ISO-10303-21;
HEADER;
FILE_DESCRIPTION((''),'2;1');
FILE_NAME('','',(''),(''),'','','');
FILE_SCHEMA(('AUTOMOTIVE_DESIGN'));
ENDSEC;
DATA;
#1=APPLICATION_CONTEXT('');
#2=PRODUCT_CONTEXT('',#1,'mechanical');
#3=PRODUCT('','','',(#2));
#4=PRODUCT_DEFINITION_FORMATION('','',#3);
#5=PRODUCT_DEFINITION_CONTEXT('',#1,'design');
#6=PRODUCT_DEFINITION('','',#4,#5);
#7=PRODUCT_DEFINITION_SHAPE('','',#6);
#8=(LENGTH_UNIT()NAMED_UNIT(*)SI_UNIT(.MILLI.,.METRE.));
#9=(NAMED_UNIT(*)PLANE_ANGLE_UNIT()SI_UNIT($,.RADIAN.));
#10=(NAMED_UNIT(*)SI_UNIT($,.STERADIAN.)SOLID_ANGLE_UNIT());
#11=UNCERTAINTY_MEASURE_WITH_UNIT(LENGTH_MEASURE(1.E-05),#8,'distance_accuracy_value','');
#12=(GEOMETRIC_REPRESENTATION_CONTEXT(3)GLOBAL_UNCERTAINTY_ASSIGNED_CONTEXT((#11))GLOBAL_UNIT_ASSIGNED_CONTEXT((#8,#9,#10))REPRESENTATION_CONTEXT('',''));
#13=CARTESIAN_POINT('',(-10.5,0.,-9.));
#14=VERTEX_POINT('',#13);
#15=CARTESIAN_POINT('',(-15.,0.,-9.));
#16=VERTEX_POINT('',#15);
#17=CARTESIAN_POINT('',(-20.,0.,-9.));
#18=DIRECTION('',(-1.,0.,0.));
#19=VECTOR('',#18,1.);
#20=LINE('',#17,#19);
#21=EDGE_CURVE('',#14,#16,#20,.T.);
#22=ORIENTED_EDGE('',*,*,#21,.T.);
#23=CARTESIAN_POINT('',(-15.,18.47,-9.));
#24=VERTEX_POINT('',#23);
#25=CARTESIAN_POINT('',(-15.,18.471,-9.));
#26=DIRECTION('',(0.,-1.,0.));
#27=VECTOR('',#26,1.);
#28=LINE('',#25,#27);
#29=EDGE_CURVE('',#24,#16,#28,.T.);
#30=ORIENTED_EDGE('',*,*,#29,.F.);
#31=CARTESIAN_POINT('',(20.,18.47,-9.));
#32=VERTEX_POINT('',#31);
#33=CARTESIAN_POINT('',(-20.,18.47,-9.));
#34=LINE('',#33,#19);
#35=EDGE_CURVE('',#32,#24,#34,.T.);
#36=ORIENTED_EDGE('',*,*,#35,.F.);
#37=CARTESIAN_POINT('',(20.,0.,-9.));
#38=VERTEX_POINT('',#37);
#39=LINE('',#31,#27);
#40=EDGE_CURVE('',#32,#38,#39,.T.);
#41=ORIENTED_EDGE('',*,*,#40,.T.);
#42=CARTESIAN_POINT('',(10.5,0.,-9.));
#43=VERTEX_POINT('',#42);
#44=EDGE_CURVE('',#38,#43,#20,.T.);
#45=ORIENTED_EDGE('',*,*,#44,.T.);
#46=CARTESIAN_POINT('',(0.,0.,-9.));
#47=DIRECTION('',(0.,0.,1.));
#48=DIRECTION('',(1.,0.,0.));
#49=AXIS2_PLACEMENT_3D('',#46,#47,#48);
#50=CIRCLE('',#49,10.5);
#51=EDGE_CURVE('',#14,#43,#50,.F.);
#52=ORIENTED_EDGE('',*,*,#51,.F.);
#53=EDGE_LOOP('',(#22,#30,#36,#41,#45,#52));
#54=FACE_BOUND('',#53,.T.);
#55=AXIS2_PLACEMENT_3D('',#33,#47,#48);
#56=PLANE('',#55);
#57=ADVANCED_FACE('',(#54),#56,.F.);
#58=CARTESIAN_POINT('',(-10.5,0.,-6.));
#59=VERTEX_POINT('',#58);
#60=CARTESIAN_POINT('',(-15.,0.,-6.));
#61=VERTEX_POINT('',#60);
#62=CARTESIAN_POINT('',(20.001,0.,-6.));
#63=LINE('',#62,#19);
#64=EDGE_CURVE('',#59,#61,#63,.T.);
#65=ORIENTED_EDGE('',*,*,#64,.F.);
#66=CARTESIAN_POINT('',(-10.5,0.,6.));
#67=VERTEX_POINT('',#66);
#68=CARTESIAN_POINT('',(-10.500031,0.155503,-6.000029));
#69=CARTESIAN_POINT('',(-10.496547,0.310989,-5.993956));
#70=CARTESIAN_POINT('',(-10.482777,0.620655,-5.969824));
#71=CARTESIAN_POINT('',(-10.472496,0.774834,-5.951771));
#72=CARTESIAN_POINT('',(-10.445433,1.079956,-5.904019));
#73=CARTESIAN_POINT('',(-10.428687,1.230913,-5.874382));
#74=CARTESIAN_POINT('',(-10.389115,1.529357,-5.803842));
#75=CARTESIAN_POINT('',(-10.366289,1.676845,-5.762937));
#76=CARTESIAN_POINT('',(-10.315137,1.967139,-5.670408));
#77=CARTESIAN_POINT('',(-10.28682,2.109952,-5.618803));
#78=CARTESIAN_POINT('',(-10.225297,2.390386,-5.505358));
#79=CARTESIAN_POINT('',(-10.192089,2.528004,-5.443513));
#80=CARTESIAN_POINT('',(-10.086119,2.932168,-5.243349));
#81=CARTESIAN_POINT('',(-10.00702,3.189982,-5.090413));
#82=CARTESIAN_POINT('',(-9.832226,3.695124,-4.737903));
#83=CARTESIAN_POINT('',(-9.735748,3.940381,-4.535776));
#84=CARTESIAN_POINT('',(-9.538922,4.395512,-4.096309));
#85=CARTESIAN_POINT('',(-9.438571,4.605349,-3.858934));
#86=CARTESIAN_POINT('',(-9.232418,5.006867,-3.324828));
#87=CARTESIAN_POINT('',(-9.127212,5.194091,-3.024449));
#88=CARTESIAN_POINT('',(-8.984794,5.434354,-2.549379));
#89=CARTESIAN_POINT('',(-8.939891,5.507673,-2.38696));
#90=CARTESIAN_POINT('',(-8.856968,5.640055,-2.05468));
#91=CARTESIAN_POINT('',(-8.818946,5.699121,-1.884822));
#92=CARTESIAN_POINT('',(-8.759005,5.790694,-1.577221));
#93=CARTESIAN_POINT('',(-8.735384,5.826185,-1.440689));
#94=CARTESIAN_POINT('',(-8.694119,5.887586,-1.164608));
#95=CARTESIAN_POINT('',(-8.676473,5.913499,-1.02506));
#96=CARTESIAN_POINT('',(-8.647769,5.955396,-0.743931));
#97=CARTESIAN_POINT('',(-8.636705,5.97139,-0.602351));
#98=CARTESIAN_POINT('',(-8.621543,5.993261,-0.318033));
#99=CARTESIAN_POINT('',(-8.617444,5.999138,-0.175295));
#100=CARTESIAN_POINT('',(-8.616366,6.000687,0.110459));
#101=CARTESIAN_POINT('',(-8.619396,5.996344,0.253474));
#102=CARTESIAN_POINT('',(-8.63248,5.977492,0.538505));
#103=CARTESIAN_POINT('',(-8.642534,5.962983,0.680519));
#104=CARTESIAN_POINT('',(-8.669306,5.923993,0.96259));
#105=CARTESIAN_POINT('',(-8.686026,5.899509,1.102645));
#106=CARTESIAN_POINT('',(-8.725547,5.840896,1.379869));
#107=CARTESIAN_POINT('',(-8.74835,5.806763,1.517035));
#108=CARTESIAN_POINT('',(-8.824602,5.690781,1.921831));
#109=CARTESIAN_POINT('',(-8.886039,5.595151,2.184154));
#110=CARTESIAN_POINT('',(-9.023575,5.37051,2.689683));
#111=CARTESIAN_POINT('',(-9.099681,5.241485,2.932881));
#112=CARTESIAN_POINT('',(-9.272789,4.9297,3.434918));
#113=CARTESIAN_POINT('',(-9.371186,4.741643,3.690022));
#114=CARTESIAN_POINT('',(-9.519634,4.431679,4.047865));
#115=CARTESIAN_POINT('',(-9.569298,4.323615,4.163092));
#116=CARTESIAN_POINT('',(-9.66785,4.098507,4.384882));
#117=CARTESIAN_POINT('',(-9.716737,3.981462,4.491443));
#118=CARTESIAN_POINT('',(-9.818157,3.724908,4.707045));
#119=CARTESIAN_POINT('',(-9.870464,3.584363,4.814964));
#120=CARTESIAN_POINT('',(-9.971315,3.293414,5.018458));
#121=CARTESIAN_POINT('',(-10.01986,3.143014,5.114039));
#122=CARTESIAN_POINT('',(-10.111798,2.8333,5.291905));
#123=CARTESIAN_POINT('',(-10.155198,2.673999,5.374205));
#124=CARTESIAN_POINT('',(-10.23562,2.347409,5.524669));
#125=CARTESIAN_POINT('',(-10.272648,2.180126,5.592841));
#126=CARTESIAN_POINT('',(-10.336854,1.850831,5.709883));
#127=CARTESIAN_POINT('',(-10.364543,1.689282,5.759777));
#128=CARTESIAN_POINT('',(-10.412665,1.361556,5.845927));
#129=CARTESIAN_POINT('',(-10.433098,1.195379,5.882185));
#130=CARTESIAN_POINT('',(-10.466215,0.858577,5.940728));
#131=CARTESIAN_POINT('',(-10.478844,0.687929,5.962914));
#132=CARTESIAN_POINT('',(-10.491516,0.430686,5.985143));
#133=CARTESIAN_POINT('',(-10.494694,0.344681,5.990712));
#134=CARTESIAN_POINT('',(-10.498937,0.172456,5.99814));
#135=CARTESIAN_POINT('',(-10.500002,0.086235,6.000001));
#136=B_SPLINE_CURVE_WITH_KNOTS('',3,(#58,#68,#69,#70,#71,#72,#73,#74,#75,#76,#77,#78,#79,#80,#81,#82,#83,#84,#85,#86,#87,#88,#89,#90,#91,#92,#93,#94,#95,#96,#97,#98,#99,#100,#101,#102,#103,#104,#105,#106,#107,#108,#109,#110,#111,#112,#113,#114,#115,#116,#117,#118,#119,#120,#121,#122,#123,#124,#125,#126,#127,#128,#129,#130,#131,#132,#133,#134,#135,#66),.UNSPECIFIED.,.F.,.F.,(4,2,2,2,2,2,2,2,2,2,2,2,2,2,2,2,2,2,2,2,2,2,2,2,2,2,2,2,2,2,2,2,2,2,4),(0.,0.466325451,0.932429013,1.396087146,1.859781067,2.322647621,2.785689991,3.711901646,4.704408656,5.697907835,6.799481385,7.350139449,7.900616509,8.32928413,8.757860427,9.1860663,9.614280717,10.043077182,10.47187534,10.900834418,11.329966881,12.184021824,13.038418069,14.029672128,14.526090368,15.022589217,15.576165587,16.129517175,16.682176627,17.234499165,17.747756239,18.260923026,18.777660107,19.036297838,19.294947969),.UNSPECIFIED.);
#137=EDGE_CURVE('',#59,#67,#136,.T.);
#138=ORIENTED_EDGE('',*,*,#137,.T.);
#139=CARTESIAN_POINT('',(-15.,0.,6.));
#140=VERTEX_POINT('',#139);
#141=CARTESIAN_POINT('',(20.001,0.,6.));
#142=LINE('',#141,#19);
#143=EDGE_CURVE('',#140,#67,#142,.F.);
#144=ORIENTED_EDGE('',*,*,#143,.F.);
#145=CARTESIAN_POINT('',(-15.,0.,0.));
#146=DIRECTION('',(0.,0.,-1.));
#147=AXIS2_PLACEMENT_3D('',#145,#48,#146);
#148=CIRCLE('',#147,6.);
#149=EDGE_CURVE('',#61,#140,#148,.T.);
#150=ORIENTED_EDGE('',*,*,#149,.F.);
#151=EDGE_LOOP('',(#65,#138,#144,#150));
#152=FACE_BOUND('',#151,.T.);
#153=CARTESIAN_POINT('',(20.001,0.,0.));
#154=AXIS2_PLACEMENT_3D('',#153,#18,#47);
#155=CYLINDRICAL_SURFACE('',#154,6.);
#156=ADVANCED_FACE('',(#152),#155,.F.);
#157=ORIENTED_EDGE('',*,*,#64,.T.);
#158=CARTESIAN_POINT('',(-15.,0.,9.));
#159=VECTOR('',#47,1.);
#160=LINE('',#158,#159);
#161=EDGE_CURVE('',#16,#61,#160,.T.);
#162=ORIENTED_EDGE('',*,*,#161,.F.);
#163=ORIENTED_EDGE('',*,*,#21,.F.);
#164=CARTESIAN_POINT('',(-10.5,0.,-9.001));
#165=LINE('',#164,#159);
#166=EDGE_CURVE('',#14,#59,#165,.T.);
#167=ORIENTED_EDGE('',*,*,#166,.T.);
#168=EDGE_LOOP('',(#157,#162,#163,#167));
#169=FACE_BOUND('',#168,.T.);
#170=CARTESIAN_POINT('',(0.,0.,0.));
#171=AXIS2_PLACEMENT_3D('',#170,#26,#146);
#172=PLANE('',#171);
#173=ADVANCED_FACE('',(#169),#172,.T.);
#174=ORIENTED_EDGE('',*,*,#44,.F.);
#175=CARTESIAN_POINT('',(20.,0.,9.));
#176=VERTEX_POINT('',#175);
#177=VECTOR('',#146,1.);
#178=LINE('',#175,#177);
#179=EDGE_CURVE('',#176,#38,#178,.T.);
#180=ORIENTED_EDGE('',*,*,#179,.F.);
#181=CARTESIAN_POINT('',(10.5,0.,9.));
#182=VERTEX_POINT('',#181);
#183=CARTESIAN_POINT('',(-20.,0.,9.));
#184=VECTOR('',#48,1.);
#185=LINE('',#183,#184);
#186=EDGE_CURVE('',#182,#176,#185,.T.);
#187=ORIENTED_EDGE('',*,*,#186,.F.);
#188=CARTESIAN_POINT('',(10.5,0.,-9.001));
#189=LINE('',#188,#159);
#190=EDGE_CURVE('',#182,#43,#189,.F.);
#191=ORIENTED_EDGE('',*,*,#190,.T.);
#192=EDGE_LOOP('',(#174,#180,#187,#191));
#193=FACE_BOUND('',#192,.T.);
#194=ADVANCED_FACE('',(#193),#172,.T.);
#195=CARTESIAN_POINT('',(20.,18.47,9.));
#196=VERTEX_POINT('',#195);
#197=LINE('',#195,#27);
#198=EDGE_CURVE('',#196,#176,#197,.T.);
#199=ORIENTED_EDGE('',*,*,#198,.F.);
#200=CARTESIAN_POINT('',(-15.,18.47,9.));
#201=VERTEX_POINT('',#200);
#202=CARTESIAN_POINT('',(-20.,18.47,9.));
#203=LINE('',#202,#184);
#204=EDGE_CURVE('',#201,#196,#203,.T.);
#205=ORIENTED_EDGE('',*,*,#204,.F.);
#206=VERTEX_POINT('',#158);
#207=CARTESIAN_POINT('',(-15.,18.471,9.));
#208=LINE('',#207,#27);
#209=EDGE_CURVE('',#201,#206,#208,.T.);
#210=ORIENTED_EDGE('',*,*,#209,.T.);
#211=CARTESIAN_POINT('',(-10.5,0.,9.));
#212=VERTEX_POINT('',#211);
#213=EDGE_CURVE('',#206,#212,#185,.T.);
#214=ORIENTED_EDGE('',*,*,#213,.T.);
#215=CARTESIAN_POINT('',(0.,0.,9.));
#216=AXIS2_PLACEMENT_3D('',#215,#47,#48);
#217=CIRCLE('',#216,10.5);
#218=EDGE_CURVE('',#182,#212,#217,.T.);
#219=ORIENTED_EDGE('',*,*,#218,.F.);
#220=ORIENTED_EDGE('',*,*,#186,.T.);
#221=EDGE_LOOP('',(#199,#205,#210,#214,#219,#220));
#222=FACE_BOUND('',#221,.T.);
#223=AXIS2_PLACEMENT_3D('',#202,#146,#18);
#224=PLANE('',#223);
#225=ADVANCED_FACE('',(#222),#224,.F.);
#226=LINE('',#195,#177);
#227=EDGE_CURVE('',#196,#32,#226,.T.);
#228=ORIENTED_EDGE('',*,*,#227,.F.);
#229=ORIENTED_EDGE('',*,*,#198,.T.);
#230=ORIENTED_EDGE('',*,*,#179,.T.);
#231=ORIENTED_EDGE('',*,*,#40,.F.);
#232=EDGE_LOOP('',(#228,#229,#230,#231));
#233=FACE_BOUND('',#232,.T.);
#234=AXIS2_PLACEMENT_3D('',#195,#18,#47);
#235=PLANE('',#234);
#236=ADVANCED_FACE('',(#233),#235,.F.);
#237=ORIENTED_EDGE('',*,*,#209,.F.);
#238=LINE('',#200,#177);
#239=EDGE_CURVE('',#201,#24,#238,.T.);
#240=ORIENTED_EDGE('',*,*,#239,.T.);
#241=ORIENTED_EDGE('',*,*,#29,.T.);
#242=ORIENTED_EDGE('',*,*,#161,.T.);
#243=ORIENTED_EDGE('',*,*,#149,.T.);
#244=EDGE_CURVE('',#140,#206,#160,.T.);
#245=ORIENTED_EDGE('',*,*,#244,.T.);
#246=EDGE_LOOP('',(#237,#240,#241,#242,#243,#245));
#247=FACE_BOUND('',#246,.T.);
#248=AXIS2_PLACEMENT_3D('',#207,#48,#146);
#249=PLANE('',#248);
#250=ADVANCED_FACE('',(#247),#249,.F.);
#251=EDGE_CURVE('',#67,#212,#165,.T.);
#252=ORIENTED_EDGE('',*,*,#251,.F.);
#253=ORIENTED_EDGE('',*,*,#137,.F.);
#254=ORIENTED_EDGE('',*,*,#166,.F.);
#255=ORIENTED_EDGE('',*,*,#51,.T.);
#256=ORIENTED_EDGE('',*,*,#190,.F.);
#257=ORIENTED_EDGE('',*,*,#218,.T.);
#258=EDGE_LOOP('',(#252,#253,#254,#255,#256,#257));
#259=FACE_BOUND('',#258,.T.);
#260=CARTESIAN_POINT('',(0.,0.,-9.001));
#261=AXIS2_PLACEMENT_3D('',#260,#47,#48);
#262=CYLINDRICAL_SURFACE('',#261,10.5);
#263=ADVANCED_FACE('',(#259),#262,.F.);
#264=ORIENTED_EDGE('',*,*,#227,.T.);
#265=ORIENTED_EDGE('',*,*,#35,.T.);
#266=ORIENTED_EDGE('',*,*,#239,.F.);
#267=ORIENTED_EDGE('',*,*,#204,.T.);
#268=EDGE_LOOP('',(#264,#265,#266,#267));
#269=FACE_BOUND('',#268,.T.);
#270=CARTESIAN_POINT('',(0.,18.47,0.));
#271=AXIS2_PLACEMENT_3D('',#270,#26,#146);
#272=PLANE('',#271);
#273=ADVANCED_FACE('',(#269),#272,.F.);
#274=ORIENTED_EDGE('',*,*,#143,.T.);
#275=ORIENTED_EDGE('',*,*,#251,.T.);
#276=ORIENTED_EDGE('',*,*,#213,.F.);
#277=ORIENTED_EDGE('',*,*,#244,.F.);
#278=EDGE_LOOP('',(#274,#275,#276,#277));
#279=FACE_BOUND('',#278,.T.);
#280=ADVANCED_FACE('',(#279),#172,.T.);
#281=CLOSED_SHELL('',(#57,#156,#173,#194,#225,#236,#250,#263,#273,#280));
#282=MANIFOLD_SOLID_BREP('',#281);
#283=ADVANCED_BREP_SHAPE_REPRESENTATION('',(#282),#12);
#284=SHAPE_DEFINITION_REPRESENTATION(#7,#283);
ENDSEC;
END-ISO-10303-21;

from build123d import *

# Parameters (mm, degrees)
SKETCH1_W           = 40
SKETCH1_H           = 18
BOSS_EXTRUDE1_DEPTH = 18.47
CUT_EXTRUDE1_REACH  = 20
SKETCH2_R           = 10.5
CUT_EXTRUDE3_REACH  = 42
SKETCH4_R           = 6
CUT_EXTRUDE4_REACH  = 20.47
SKETCH5_W           = 5
SKETCH5_H           = 18


with BuildPart() as part:
    # Sketch1 → Boss-Extrude1 (new body)
    with BuildSketch(Plane(origin=(0, 0, 0), x_dir=(1, 0, 0), z_dir=(0, 1, 0))):
        Rectangle(SKETCH1_W, SKETCH1_H)
    extrude(amount=BOSS_EXTRUDE1_DEPTH)

    # Sketch2 → Cut-Extrude1 (cut, up to next)
    with BuildSketch(Plane.XY.offset(9), mode=Mode.PRIVATE) as cut_extrude1_sk1:
        Circle(SKETCH2_R)
    cut_extrude1_tool1 = extrude(cut_extrude1_sk1.sketch, amount=-CUT_EXTRUDE1_REACH, mode=Mode.PRIVATE) & part.part
    add(cut_extrude1_tool1.solids().sort_by_distance((0, 0, 9))[0], mode=Mode.SUBTRACT)

    # Sketch4 → Cut-Extrude3 (cut, up to next)
    with BuildSketch(Plane.ZY.offset(20), mode=Mode.PRIVATE) as cut_extrude3_sk1:
        Circle(SKETCH4_R)
    cut_extrude3_tool1 = extrude(cut_extrude3_sk1.sketch, amount=-CUT_EXTRUDE3_REACH, mode=Mode.PRIVATE) & part.part
    add(cut_extrude3_tool1.solids().sort_by_distance((-20, 0, 0))[0], mode=Mode.SUBTRACT)

    # Sketch5 → Cut-Extrude4 (cut, up to next)
    with BuildSketch(Plane.XZ, mode=Mode.PRIVATE) as cut_extrude4_sk1:
        with Locations((-17.5, 0)):
            Rectangle(SKETCH5_W, SKETCH5_H)
    cut_extrude4_tool1 = extrude(cut_extrude4_sk1.sketch, amount=-CUT_EXTRUDE4_REACH, mode=Mode.PRIVATE) & part.part
    add(cut_extrude4_tool1.solids().sort_by_distance((-17.5, 0, 0))[0], mode=Mode.SUBTRACT)


solid = part.part
